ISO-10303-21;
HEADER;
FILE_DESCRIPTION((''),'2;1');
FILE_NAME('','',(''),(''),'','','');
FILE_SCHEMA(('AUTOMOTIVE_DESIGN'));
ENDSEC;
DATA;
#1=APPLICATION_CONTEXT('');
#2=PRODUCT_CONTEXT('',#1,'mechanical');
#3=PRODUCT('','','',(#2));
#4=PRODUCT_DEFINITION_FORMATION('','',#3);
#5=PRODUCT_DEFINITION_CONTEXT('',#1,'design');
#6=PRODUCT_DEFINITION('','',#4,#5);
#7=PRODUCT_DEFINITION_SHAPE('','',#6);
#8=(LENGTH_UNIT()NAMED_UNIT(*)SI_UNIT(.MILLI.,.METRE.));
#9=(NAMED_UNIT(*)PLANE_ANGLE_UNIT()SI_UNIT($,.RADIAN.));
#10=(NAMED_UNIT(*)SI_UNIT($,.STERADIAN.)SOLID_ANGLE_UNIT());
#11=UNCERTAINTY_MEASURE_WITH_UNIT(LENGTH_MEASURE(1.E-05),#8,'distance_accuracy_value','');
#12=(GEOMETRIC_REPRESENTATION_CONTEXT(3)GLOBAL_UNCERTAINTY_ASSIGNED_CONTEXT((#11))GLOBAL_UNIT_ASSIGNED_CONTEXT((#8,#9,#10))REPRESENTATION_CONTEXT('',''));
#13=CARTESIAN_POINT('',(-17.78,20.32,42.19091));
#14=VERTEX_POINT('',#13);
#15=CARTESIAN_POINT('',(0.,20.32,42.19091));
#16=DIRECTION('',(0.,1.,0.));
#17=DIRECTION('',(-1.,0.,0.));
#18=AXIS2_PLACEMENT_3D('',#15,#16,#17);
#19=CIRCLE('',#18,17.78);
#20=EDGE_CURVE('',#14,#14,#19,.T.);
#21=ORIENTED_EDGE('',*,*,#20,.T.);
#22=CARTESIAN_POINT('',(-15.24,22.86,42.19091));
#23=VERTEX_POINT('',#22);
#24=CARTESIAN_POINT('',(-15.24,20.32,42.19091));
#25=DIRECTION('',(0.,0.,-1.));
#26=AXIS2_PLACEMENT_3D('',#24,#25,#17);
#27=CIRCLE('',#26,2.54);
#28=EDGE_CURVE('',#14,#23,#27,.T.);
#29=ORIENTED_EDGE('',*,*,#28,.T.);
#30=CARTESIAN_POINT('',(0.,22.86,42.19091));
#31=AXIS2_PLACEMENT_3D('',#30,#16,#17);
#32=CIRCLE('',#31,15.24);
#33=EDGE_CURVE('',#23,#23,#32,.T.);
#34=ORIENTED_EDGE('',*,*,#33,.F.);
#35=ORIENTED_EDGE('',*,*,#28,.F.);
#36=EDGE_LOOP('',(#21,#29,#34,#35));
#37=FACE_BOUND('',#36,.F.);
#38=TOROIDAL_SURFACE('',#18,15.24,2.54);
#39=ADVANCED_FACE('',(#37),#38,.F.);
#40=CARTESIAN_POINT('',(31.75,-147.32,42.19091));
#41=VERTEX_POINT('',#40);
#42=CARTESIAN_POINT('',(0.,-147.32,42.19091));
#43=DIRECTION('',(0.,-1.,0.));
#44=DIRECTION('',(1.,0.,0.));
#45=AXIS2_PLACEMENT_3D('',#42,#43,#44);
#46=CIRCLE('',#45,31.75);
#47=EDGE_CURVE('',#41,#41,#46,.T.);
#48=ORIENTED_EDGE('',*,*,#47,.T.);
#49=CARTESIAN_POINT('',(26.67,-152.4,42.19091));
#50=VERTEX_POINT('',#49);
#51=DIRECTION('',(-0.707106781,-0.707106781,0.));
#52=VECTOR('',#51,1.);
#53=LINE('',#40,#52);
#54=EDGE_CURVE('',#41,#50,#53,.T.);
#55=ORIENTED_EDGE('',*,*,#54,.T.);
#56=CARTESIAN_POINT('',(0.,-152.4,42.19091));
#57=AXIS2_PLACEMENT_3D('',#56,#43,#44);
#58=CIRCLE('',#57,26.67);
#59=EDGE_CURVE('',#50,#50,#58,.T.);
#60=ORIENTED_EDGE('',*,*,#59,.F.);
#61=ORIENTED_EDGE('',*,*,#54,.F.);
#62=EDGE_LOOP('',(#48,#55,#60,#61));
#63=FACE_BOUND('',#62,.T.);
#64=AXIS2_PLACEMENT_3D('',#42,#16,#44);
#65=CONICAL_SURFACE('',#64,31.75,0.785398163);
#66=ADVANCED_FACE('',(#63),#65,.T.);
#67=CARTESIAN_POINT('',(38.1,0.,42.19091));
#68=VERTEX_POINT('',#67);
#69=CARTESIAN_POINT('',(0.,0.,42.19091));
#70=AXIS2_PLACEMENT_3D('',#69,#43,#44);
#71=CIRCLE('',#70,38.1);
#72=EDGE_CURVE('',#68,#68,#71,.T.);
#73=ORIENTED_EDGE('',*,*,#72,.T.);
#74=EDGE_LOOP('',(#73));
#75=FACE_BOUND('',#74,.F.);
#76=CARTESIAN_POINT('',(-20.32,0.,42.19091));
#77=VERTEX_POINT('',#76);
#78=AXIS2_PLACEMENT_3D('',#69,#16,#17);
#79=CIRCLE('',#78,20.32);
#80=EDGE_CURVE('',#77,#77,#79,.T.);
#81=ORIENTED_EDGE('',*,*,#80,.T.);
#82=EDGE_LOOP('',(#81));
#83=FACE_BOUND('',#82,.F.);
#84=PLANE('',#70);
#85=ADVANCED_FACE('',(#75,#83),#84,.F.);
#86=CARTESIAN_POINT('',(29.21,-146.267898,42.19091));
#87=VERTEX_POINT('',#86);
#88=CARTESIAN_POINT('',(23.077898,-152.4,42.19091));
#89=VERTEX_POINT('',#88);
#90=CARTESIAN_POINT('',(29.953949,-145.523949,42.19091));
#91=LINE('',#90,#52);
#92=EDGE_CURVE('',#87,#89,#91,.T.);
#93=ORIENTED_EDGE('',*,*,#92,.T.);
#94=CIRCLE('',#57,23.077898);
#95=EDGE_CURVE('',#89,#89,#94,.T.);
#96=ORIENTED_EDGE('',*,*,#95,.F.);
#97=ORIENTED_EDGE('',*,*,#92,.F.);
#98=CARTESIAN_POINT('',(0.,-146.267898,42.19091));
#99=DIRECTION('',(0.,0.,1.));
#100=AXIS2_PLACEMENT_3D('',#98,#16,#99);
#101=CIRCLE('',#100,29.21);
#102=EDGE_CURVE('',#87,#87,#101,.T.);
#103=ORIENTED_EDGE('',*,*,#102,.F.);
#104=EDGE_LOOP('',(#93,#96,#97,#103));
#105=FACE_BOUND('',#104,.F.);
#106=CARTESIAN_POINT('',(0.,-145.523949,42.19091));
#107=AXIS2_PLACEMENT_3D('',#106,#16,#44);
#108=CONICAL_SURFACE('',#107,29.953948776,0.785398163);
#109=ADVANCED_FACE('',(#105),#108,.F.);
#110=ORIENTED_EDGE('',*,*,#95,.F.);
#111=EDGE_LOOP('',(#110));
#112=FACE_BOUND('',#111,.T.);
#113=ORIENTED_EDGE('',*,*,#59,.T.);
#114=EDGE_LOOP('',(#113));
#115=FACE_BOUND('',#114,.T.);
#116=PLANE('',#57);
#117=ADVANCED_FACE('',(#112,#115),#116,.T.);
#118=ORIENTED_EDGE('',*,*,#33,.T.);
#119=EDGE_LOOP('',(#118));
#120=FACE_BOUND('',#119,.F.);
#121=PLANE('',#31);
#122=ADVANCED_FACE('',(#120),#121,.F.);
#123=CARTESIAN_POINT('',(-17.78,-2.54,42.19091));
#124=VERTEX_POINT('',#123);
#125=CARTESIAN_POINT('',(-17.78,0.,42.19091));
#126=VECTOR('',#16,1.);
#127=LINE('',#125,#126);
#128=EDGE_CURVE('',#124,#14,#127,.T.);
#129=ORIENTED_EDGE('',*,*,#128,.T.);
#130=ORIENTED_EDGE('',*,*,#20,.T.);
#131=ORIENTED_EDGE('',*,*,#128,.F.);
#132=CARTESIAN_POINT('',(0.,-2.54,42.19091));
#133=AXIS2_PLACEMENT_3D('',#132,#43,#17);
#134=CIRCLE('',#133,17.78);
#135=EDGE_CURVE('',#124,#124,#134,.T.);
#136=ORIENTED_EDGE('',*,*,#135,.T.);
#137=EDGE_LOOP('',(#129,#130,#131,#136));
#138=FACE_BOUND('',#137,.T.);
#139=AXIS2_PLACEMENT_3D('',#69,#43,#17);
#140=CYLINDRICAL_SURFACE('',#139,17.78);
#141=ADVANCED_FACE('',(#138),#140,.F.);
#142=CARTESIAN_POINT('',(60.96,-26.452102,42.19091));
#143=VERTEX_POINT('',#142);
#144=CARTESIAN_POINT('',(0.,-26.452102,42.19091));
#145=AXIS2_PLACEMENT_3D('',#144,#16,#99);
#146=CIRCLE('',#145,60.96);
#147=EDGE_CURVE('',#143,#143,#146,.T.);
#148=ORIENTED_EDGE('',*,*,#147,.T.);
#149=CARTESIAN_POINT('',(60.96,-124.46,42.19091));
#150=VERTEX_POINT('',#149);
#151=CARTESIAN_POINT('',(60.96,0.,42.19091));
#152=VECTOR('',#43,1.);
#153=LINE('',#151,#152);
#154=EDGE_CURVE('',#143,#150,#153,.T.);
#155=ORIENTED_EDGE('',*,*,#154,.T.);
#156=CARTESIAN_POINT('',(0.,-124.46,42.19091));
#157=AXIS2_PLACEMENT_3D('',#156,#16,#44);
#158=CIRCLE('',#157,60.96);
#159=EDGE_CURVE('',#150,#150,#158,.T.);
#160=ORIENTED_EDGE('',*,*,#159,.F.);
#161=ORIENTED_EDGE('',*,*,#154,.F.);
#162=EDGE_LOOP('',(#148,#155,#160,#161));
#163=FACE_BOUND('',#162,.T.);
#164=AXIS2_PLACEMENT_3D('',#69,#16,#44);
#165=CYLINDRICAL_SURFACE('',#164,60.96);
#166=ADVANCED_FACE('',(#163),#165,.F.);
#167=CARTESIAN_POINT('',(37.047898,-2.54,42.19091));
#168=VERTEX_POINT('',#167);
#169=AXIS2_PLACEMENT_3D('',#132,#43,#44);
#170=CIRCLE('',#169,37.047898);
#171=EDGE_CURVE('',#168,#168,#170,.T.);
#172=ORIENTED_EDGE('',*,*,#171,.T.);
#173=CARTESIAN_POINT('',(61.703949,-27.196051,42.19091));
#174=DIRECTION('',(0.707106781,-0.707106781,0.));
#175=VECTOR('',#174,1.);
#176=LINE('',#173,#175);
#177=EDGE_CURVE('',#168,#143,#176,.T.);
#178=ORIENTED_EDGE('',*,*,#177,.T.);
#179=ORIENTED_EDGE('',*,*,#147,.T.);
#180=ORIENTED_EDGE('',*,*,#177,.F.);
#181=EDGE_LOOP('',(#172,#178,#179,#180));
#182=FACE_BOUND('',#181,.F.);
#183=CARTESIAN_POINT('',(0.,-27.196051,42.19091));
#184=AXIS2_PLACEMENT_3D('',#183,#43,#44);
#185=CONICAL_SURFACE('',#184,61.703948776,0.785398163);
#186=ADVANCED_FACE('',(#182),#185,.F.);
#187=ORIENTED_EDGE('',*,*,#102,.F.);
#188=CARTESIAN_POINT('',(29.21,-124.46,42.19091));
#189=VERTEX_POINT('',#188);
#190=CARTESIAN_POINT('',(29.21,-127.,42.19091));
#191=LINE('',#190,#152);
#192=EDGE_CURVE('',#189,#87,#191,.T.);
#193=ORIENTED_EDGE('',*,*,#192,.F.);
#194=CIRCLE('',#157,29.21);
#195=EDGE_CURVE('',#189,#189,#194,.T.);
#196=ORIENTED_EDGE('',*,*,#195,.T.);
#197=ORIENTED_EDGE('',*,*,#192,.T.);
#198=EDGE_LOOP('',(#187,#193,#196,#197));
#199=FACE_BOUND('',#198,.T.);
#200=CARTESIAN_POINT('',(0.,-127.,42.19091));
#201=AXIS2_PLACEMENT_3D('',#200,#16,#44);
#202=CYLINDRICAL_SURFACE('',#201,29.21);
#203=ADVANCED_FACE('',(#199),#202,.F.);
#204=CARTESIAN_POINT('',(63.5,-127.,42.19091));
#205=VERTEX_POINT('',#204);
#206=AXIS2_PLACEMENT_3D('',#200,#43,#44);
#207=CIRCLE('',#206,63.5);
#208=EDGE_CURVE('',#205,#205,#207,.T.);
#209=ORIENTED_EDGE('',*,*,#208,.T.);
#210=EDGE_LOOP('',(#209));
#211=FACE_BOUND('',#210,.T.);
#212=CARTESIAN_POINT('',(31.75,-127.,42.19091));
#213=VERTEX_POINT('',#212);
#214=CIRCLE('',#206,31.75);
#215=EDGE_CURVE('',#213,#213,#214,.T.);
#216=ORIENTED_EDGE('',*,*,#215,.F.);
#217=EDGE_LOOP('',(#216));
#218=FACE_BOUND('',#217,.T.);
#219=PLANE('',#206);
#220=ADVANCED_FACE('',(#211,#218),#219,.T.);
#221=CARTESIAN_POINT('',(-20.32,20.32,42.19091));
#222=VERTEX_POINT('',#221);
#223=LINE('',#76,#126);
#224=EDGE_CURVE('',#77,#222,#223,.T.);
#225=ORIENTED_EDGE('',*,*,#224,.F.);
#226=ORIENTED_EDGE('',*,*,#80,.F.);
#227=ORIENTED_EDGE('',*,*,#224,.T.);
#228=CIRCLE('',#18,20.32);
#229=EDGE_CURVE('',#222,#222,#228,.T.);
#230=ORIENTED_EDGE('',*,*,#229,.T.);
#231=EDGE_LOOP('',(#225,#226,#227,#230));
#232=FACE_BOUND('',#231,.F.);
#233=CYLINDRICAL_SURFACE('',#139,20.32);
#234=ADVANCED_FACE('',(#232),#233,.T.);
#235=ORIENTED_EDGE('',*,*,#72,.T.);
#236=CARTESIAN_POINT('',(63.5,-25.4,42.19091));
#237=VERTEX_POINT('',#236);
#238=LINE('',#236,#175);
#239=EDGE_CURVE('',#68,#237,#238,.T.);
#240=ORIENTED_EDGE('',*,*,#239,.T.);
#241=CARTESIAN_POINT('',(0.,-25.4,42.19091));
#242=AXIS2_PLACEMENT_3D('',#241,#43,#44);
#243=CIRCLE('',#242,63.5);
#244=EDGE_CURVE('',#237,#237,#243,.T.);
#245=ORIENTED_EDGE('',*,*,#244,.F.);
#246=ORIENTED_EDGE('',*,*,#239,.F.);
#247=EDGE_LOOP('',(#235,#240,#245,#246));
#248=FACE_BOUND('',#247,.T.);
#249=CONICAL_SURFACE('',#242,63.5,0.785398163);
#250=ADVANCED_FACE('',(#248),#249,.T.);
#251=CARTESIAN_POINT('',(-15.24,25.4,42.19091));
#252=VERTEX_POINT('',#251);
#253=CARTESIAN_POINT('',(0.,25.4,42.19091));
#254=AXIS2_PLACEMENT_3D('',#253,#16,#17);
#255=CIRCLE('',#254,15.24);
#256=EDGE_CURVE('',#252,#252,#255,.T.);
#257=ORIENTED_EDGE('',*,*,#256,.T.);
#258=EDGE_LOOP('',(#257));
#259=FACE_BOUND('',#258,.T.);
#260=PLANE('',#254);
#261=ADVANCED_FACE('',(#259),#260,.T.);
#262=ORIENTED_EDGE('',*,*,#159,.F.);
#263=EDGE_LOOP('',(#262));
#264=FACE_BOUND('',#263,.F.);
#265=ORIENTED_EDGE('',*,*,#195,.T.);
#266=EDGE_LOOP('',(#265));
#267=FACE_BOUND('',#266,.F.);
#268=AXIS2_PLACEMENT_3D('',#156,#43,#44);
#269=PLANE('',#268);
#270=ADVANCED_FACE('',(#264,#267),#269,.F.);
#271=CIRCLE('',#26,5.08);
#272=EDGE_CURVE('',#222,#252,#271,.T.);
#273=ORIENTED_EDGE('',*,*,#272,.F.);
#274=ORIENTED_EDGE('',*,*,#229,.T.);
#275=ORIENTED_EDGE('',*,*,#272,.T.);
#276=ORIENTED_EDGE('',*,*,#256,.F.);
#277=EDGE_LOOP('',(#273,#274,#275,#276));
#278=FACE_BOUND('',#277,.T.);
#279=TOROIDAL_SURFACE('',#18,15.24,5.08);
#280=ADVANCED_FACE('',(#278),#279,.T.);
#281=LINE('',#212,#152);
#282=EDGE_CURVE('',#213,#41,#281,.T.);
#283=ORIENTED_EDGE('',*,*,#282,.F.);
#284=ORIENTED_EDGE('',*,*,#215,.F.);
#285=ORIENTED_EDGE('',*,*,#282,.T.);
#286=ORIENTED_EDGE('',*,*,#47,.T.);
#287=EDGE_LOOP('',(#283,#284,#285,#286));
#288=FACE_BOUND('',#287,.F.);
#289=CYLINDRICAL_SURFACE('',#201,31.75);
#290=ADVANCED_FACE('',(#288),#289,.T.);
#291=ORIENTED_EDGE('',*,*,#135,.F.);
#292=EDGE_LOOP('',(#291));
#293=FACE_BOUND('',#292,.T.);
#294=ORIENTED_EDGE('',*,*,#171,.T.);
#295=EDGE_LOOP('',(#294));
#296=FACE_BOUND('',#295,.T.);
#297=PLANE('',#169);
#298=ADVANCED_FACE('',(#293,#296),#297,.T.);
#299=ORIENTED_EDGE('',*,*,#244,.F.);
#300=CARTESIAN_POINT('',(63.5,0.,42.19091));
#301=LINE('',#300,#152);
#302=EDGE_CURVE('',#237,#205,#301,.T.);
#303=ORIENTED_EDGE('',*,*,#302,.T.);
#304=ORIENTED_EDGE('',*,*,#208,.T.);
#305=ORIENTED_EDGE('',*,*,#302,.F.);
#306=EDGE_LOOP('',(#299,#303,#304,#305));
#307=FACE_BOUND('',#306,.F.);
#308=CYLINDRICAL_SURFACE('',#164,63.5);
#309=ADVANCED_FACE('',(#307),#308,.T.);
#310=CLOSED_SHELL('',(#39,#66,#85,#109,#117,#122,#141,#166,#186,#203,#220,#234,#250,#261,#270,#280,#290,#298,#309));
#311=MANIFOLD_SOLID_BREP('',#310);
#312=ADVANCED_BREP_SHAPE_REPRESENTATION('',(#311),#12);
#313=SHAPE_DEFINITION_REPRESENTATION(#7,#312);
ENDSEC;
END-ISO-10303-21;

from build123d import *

# Parameters (mm, degrees)
F0_R     = 63.5
F1_DEPTH = 127
F2_R     = 31.75
F3_DEPTH = 25.4
F4_R     = 20.32
F5_DEPTH = 25.4
F6_R     = 5.08
F7_SIZE  = 25.4
F8_SIZE  = 5.08
F9_T     = -2.54


with BuildPart() as f1:
    # F0 (on Front) → F1 (new body)
    with BuildSketch(Plane.XZ):
        with Locations((0, 42.1909095929)):
            Circle(F0_R)
    extrude(amount=F1_DEPTH)

    # F2 (on face) → F3 (join)
    with BuildSketch(Plane.XZ.offset(127)):
        with Locations((0, 42.1909095929)):
            Circle(F2_R)
    extrude(amount=F3_DEPTH)

    # F4 (on face) → F5 (join)
    with BuildSketch(Plane(origin=(0, 0, 0), x_dir=(-1, 0, 0), z_dir=(0, 1, 0))):
        with Locations((0, 42.1909095929)):
            Circle(F4_R)
    extrude(amount=F5_DEPTH)

    # F6
    f6_edges = [f1.edges().sort_by_distance(p)[0] for p in [
        (20.32, 25.4, 42.19091),
    ]]
    fillet(f6_edges, radius=F6_R)

    # F7
    f7_edges = [f1.edges().sort_by_distance(p)[0] for p in [
        (-63.5, 0, 42.19091),
    ]]
    chamfer(f7_edges, length=F7_SIZE)

    # F8
    f8_edges = [f1.edges().sort_by_distance(p)[0] for p in [
        (-31.75, -152.4, 42.19091),
    ]]
    chamfer(f8_edges, length=F8_SIZE)

    # F9
    f9_openings = [f1.faces().sort_by_distance(p)[0] for p in [
        (0, -152.4, 42.19091),
    ]]
    offset(amount=F9_T, openings=f9_openings, kind=Kind.INTERSECTION)


solid = f1.part
